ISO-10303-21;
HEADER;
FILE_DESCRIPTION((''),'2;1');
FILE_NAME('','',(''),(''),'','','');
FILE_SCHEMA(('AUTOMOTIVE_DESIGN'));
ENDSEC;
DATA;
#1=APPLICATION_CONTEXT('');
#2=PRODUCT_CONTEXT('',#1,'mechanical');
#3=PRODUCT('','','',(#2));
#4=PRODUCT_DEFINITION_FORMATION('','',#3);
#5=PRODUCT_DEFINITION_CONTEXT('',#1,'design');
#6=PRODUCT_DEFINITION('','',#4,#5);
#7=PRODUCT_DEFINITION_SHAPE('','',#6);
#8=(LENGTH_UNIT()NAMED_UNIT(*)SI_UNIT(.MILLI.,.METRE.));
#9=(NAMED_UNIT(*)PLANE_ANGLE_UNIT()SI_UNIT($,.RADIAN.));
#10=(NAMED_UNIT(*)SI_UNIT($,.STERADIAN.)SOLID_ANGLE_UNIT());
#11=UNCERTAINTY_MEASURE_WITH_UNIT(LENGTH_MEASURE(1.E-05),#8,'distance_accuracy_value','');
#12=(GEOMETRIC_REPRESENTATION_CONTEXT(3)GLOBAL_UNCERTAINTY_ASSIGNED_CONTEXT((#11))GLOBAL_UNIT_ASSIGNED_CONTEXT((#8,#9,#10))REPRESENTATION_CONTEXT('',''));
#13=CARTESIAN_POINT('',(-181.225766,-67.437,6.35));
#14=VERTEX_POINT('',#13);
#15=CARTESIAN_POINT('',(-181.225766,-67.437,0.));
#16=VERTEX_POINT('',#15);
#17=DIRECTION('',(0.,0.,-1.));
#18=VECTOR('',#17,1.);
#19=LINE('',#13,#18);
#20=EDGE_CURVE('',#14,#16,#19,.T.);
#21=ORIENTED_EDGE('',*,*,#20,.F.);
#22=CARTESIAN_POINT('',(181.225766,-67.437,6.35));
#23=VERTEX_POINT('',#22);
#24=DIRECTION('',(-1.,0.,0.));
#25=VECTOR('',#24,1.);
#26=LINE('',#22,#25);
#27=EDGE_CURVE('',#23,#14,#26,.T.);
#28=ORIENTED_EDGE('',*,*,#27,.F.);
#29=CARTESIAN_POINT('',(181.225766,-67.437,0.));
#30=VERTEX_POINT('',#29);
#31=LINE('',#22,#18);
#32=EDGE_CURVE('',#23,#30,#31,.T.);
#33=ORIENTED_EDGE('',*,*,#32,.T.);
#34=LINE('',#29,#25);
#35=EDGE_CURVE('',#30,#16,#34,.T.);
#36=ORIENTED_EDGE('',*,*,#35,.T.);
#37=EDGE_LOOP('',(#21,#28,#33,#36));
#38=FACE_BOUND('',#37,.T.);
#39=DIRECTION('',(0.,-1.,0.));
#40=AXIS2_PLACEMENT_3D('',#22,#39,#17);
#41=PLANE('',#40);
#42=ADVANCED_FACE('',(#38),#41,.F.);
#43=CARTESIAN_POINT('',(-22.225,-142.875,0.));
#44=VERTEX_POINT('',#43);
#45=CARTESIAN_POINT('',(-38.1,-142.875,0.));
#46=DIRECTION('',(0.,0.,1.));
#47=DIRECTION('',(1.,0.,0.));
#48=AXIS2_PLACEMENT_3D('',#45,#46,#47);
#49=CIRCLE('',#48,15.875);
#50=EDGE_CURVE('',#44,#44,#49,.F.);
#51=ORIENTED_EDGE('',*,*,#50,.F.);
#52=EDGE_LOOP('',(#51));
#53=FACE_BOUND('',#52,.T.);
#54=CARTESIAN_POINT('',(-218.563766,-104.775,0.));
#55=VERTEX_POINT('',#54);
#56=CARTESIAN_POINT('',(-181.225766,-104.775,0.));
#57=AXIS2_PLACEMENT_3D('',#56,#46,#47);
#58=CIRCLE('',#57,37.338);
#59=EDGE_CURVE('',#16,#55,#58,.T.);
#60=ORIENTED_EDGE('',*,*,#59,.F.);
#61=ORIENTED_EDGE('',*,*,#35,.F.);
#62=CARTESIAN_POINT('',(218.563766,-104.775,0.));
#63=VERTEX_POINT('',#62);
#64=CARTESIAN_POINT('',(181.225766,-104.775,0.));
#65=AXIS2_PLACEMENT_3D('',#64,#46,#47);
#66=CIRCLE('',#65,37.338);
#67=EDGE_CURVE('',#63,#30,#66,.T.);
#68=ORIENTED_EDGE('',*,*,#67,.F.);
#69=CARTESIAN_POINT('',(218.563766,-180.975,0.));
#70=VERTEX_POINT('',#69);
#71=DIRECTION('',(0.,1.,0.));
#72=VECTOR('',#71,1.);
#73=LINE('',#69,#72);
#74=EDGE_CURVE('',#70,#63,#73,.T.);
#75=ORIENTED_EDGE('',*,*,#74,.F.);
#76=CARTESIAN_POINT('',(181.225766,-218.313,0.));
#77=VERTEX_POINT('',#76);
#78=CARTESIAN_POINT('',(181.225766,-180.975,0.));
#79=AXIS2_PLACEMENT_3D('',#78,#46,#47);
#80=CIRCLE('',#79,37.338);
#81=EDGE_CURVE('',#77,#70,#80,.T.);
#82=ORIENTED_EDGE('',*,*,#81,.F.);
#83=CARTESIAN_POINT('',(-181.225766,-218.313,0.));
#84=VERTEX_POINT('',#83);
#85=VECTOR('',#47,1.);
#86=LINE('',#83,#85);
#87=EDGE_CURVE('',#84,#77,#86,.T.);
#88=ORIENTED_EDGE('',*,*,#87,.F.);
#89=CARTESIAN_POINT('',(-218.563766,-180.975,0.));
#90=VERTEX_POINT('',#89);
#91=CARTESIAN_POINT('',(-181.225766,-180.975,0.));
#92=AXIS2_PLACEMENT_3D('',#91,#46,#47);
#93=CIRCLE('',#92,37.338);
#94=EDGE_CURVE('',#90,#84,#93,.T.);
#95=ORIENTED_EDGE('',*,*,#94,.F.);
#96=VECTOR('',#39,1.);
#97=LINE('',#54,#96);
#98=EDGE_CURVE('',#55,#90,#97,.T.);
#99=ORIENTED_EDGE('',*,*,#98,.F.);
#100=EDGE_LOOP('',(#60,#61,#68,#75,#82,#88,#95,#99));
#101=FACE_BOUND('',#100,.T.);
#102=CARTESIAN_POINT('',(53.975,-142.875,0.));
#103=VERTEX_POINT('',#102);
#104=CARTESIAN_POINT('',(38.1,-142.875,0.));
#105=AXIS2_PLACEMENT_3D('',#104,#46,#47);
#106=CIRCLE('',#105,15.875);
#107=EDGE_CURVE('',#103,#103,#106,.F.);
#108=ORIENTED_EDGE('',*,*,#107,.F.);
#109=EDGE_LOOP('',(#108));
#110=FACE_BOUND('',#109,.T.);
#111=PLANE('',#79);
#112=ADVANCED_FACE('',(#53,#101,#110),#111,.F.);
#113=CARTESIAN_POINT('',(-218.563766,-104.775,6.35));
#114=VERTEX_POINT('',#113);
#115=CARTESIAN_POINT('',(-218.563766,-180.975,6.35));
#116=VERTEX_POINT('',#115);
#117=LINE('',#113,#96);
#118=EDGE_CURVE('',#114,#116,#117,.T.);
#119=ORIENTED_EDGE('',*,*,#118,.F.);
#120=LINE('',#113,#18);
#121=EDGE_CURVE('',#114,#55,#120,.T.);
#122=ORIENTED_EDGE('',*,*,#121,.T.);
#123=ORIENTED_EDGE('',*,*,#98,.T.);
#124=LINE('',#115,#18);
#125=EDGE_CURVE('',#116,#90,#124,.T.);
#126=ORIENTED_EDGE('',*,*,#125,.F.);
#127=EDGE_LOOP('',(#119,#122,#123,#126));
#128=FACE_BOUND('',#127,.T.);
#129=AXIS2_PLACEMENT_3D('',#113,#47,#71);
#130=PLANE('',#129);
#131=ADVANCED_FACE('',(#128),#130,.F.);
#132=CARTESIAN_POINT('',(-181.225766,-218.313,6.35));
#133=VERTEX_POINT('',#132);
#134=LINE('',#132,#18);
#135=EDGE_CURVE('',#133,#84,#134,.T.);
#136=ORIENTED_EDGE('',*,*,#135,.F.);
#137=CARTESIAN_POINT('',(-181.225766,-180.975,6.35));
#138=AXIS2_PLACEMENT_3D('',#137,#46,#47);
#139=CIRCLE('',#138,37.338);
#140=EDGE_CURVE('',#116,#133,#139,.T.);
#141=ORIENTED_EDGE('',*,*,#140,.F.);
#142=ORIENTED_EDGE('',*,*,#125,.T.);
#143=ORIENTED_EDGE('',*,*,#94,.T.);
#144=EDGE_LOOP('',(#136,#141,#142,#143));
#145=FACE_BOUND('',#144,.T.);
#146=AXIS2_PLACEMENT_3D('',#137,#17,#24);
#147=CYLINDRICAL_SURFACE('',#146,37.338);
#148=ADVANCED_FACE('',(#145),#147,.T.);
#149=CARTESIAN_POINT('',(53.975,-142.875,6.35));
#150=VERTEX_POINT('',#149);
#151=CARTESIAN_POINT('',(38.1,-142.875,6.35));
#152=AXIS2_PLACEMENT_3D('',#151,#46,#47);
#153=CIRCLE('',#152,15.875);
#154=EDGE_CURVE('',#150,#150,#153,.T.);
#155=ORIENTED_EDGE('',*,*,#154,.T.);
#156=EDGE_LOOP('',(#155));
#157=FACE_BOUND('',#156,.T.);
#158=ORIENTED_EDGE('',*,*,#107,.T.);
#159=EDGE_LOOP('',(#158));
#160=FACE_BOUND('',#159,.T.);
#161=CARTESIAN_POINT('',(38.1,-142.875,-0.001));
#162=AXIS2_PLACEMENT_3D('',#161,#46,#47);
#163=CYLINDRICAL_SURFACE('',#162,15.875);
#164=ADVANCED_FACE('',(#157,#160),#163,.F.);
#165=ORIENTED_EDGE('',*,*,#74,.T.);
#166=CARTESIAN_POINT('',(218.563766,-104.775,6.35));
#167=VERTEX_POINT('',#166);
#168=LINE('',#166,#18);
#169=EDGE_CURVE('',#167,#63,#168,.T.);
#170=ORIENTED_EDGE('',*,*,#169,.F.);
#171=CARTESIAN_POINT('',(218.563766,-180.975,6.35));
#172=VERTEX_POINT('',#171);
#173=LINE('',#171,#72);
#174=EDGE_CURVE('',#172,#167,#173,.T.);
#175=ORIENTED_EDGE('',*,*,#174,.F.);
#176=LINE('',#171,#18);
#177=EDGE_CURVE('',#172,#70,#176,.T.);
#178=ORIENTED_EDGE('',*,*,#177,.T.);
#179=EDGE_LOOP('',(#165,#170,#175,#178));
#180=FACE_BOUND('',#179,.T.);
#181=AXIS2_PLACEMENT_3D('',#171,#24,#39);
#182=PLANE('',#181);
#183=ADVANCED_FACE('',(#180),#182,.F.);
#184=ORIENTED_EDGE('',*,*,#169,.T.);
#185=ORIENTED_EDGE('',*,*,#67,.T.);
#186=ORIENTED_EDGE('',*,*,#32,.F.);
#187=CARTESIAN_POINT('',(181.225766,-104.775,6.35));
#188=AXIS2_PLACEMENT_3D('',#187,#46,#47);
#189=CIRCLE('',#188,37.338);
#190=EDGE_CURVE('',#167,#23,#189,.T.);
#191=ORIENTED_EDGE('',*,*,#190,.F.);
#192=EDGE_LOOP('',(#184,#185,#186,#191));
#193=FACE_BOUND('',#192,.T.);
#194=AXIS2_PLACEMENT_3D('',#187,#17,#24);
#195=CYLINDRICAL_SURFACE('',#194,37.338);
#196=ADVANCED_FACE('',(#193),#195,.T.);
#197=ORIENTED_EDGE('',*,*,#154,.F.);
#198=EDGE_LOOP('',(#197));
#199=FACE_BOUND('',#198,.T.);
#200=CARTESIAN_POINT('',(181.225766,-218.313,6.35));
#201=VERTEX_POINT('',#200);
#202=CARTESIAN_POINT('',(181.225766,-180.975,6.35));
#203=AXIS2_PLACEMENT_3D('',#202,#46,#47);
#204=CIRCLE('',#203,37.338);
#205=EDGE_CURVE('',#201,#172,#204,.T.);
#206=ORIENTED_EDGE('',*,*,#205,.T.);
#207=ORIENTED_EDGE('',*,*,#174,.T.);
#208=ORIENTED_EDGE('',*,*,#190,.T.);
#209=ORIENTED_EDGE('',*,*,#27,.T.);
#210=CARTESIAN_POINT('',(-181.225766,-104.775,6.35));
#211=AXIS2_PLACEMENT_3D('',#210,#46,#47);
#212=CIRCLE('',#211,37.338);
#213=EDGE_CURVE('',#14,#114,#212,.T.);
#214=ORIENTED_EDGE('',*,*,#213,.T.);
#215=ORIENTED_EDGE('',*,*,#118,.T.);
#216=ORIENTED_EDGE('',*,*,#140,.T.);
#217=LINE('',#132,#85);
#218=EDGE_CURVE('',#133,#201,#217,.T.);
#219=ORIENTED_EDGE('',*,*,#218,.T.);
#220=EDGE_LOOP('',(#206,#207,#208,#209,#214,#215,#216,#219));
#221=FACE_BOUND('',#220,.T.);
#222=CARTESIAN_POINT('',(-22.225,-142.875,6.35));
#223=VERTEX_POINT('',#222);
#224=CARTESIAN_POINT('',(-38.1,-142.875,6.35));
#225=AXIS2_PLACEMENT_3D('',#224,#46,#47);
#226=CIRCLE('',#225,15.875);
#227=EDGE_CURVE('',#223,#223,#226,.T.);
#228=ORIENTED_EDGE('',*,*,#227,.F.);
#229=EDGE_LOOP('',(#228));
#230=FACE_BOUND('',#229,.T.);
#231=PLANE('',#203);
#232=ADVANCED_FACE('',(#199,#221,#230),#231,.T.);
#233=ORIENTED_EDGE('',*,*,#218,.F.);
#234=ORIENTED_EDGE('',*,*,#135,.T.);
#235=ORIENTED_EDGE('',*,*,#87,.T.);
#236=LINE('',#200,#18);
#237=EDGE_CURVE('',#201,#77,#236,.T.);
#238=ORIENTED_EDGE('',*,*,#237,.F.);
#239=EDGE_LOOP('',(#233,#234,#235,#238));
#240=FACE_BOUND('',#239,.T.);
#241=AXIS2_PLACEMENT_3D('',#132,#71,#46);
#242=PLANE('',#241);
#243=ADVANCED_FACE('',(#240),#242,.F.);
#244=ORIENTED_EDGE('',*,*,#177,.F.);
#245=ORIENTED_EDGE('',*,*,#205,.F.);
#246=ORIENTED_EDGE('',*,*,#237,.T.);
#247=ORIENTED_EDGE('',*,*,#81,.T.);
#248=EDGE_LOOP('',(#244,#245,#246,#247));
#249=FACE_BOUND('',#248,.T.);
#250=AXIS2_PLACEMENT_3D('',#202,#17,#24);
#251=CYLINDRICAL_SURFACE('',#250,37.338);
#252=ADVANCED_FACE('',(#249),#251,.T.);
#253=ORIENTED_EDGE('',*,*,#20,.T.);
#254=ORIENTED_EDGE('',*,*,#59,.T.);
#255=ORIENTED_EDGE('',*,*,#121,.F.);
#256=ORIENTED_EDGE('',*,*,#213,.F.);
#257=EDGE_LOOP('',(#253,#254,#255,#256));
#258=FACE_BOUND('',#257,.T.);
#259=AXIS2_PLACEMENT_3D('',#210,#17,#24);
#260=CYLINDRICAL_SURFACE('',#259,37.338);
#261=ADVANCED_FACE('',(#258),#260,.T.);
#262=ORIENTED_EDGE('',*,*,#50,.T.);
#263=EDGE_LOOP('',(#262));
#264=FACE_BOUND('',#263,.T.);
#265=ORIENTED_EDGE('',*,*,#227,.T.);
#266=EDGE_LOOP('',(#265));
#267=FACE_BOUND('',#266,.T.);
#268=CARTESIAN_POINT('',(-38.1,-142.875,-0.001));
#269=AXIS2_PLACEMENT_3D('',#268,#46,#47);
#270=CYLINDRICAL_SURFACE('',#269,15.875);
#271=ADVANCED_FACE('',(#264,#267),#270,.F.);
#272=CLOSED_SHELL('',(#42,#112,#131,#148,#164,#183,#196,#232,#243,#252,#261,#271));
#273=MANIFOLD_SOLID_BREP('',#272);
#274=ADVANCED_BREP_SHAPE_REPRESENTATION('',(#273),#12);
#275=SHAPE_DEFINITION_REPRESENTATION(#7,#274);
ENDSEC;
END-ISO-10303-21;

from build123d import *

# Parameters (mm, degrees)
BOSS_EXTRUDE1_DEPTH = 6.35
CUT_EXTRUDE1_REACH  = 310.984
SKETCH3_R           = 15.875


with BuildPart() as part:
    # Sketch2 → Boss-Extrude1 (new body)
    with BuildSketch(Plane.XY):
        with BuildLine():
            Line((218.563766336, -180.975), (218.563766336, -104.775))
            ThreePointArc((218.563766336, -104.775), (207.627719332, -78.373047004), (181.225766336, -67.437))
            Line((181.225766336, -67.437), (-181.225766336, -67.437))
            ThreePointArc((-181.225766336, -67.437), (-207.627719332, -78.373047004), (-218.563766336, -104.775))
            Line((-218.563766336, -104.775), (-218.563766336, -180.975))
            ThreePointArc((-218.563766336, -180.975), (-207.627719332, -207.376952996), (-181.225766336, -218.313))
            Line((-181.225766336, -218.313), (181.225766336, -218.313))
            ThreePointArc((181.225766336, -218.313), (207.627719332, -207.376952996), (218.563766336, -180.975))
        make_face()
    extrude(amount=BOSS_EXTRUDE1_DEPTH)

    # Sketch3 → Cut-Extrude1 (cut, up to next)
    with BuildSketch(Plane.XY.offset(6.35), mode=Mode.PRIVATE) as cut_extrude1_sk1:
        with Locations((-38.1, -142.875)):
            Circle(SKETCH3_R)
    cut_extrude1_tool1 = extrude(cut_extrude1_sk1.sketch, amount=-CUT_EXTRUDE1_REACH, mode=Mode.PRIVATE) & part.part
    # Sketch3 → Cut-Extrude1 (cut, up to next)
    with BuildSketch(Plane.XY.offset(6.35), mode=Mode.PRIVATE) as cut_extrude1_sk2:
        with Locations((38.1, -142.875)):
            Circle(SKETCH3_R)
    cut_extrude1_tool2 = extrude(cut_extrude1_sk2.sketch, amount=-CUT_EXTRUDE1_REACH, mode=Mode.PRIVATE) & part.part
    add(cut_extrude1_tool1.solids().sort_by_distance((-38.1, -142.875, 6.35))[0], mode=Mode.SUBTRACT)
    add(cut_extrude1_tool2.solids().sort_by_distance((38.1, -142.875, 6.35))[0], mode=Mode.SUBTRACT)


solid = part.part
